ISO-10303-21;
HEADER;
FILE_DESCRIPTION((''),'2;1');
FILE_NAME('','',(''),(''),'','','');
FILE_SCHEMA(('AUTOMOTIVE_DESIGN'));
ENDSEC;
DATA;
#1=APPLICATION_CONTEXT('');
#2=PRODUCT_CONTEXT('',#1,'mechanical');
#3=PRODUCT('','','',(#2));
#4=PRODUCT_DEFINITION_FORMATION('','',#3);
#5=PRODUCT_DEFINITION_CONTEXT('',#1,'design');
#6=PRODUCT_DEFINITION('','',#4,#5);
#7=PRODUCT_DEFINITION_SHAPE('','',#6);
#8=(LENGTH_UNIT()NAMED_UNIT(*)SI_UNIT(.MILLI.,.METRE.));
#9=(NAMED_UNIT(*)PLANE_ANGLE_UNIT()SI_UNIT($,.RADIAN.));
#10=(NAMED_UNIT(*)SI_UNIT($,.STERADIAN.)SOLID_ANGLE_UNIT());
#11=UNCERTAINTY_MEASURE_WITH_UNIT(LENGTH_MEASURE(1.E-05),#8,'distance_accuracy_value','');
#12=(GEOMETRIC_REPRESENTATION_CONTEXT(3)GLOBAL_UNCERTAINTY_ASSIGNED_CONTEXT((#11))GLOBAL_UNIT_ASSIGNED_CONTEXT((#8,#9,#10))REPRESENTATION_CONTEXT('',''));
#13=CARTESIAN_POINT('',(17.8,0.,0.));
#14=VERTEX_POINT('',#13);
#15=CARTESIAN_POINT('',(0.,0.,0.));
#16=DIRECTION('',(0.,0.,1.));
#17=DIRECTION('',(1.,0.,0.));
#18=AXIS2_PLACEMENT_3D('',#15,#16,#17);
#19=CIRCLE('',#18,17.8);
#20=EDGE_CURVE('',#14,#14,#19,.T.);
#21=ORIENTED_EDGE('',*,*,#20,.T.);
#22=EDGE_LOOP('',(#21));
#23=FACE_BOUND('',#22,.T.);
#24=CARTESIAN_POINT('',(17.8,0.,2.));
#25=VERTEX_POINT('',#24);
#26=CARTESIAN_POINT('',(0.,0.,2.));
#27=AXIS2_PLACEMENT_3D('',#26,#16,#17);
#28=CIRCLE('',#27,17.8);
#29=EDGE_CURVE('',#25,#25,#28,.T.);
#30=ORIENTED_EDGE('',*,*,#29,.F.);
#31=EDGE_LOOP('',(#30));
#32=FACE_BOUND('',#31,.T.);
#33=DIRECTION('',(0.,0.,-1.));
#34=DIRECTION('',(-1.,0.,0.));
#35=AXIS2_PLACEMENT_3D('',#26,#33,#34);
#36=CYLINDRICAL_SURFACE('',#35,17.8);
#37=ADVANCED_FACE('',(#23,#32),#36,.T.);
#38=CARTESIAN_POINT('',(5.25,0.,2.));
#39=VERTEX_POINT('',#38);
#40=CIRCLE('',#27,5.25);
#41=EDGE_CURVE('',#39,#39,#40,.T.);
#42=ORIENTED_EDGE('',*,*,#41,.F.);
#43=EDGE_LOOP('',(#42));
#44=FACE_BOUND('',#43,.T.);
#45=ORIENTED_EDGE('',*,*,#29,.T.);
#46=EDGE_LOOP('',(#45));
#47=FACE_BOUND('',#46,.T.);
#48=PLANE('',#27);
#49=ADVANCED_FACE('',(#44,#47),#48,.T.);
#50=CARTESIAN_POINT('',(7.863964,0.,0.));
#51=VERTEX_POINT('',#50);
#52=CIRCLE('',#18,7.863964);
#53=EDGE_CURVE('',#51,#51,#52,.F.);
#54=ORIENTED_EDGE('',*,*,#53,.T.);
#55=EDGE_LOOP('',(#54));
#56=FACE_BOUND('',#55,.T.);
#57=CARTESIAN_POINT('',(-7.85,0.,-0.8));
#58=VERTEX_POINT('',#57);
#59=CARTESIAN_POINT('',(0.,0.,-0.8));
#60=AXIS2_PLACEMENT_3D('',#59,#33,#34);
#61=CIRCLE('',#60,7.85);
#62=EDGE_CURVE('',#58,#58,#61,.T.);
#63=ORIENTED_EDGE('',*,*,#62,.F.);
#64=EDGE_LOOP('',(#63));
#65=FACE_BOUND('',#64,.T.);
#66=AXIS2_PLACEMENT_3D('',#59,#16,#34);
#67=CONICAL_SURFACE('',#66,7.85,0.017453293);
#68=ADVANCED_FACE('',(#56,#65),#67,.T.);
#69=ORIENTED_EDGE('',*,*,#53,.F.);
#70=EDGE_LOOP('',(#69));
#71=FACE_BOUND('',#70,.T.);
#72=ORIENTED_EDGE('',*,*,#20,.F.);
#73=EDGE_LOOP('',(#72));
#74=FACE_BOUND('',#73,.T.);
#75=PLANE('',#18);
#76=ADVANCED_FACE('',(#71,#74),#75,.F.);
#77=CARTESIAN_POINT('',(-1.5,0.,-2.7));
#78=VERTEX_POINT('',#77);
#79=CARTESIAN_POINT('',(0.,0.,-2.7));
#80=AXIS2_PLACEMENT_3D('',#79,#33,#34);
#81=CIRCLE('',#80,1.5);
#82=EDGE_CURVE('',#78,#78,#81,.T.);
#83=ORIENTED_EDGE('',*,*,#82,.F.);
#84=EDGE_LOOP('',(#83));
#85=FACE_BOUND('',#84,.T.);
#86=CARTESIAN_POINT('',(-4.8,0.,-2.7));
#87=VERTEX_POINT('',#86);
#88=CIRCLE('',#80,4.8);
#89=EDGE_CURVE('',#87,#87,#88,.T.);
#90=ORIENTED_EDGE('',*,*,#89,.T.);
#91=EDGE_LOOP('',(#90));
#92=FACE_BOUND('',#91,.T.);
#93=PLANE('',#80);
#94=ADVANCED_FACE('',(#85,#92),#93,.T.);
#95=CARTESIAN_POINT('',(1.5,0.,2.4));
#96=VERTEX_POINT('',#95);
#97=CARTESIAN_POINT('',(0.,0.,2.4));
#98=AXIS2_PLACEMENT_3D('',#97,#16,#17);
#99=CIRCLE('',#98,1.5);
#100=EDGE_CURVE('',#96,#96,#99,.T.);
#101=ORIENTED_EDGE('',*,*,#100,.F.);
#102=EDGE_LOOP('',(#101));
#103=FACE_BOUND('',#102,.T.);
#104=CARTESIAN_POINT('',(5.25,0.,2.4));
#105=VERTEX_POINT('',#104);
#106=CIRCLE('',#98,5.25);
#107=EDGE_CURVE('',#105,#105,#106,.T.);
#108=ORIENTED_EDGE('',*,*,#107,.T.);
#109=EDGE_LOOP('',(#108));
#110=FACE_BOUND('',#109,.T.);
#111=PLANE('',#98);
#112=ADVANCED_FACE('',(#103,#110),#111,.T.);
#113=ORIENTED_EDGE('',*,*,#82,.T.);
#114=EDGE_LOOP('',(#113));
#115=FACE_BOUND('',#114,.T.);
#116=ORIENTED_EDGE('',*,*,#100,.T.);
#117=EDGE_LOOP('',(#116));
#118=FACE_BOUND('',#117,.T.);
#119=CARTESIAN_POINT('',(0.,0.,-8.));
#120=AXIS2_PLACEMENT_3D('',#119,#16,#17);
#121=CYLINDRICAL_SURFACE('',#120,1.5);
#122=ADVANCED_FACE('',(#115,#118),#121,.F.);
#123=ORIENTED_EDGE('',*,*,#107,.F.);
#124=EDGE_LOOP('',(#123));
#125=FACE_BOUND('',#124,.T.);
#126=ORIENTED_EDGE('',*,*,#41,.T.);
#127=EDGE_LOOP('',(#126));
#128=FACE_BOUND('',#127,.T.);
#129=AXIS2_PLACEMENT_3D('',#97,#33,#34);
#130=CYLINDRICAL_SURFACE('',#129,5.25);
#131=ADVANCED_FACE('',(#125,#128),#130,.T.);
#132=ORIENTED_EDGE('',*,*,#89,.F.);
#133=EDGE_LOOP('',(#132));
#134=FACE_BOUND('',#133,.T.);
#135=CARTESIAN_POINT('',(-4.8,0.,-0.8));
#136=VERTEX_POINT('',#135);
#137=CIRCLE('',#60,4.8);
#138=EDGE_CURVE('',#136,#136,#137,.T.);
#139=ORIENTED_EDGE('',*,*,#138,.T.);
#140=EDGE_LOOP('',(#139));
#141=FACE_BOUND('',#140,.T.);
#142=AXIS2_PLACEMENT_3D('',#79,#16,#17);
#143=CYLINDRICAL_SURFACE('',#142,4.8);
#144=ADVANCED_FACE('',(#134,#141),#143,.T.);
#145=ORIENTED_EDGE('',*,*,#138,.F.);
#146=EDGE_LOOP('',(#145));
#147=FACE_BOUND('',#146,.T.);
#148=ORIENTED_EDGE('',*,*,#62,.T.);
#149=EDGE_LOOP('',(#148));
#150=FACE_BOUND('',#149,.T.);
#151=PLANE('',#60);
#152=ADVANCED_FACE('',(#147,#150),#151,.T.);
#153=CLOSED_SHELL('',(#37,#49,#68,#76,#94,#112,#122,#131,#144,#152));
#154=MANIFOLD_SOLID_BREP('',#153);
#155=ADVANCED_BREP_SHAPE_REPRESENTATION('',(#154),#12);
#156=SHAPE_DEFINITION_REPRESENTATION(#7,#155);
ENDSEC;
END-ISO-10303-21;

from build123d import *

# Parameters (mm, degrees)
SKETCH_1_R          = 17.8
EXTRUDE_1_DEPTH     = 2
SKETCH_2_R          = 7.85
EXTRUDE_2_DEPTH     = 0.8
DRAFT_1_ANGLE       = 1
SKETCH_38_R         = 4.8
EXTRUDE_3_DEPTH     = 1.9
SKETCH_39_R         = 5.25
EXTRUDE_4_DEPTH     = 0.4
SKETCH_40_R         = 1.5
CUT_EXTRUDE_1_DEPTH = 10.4


with BuildPart() as part:
    # ｽｹｯﾁ1 → ﾎﾞｽ - 押し出し1 (new body)
    with BuildSketch(Plane.XY):
        Circle(SKETCH_1_R)
    extrude(amount=EXTRUDE_1_DEPTH)

    # ｽｹｯﾁ2 → ﾎﾞｽ - 押し出し2 (add)
    with BuildSketch(Plane(origin=(0, 0, 0), x_dir=(-1, 0, 0), z_dir=(0, 0, -1))):
        Circle(SKETCH_2_R)
    extrude(amount=EXTRUDE_2_DEPTH)

    # 抜き勾配1
    draft_1_faces = [part.faces().sort_by_distance(p)[0] for p in [
        (7.85, 0, -0.4),
    ]]
    draft(draft_1_faces, Plane(origin=(0, 0, -0.8), x_dir=(-1, 0, 0), z_dir=(0, 0, -1)), DRAFT_1_ANGLE)

    # ｽｹｯﾁ38 → ﾎﾞｽ - 押し出し3 (add)
    with BuildSketch(Plane(origin=(0, 0, -0.8), x_dir=(-1, 0, 0), z_dir=(0, 0, -1))):
        Circle(SKETCH_38_R)
    extrude(amount=EXTRUDE_3_DEPTH)

    # ｽｹｯﾁ39 → ﾎﾞｽ - 押し出し4 (add)
    with BuildSketch(Plane.XY.offset(2)):
        Circle(SKETCH_39_R)
    extrude(amount=EXTRUDE_4_DEPTH)

    # ｽｹｯﾁ40 → ｶｯﾄ - 押し出し1 (cut)
    with BuildSketch(Plane.XY.offset(2.4)):
        Circle(SKETCH_40_R)
    extrude(amount=-CUT_EXTRUDE_1_DEPTH, mode=Mode.SUBTRACT)


solid = part.part
